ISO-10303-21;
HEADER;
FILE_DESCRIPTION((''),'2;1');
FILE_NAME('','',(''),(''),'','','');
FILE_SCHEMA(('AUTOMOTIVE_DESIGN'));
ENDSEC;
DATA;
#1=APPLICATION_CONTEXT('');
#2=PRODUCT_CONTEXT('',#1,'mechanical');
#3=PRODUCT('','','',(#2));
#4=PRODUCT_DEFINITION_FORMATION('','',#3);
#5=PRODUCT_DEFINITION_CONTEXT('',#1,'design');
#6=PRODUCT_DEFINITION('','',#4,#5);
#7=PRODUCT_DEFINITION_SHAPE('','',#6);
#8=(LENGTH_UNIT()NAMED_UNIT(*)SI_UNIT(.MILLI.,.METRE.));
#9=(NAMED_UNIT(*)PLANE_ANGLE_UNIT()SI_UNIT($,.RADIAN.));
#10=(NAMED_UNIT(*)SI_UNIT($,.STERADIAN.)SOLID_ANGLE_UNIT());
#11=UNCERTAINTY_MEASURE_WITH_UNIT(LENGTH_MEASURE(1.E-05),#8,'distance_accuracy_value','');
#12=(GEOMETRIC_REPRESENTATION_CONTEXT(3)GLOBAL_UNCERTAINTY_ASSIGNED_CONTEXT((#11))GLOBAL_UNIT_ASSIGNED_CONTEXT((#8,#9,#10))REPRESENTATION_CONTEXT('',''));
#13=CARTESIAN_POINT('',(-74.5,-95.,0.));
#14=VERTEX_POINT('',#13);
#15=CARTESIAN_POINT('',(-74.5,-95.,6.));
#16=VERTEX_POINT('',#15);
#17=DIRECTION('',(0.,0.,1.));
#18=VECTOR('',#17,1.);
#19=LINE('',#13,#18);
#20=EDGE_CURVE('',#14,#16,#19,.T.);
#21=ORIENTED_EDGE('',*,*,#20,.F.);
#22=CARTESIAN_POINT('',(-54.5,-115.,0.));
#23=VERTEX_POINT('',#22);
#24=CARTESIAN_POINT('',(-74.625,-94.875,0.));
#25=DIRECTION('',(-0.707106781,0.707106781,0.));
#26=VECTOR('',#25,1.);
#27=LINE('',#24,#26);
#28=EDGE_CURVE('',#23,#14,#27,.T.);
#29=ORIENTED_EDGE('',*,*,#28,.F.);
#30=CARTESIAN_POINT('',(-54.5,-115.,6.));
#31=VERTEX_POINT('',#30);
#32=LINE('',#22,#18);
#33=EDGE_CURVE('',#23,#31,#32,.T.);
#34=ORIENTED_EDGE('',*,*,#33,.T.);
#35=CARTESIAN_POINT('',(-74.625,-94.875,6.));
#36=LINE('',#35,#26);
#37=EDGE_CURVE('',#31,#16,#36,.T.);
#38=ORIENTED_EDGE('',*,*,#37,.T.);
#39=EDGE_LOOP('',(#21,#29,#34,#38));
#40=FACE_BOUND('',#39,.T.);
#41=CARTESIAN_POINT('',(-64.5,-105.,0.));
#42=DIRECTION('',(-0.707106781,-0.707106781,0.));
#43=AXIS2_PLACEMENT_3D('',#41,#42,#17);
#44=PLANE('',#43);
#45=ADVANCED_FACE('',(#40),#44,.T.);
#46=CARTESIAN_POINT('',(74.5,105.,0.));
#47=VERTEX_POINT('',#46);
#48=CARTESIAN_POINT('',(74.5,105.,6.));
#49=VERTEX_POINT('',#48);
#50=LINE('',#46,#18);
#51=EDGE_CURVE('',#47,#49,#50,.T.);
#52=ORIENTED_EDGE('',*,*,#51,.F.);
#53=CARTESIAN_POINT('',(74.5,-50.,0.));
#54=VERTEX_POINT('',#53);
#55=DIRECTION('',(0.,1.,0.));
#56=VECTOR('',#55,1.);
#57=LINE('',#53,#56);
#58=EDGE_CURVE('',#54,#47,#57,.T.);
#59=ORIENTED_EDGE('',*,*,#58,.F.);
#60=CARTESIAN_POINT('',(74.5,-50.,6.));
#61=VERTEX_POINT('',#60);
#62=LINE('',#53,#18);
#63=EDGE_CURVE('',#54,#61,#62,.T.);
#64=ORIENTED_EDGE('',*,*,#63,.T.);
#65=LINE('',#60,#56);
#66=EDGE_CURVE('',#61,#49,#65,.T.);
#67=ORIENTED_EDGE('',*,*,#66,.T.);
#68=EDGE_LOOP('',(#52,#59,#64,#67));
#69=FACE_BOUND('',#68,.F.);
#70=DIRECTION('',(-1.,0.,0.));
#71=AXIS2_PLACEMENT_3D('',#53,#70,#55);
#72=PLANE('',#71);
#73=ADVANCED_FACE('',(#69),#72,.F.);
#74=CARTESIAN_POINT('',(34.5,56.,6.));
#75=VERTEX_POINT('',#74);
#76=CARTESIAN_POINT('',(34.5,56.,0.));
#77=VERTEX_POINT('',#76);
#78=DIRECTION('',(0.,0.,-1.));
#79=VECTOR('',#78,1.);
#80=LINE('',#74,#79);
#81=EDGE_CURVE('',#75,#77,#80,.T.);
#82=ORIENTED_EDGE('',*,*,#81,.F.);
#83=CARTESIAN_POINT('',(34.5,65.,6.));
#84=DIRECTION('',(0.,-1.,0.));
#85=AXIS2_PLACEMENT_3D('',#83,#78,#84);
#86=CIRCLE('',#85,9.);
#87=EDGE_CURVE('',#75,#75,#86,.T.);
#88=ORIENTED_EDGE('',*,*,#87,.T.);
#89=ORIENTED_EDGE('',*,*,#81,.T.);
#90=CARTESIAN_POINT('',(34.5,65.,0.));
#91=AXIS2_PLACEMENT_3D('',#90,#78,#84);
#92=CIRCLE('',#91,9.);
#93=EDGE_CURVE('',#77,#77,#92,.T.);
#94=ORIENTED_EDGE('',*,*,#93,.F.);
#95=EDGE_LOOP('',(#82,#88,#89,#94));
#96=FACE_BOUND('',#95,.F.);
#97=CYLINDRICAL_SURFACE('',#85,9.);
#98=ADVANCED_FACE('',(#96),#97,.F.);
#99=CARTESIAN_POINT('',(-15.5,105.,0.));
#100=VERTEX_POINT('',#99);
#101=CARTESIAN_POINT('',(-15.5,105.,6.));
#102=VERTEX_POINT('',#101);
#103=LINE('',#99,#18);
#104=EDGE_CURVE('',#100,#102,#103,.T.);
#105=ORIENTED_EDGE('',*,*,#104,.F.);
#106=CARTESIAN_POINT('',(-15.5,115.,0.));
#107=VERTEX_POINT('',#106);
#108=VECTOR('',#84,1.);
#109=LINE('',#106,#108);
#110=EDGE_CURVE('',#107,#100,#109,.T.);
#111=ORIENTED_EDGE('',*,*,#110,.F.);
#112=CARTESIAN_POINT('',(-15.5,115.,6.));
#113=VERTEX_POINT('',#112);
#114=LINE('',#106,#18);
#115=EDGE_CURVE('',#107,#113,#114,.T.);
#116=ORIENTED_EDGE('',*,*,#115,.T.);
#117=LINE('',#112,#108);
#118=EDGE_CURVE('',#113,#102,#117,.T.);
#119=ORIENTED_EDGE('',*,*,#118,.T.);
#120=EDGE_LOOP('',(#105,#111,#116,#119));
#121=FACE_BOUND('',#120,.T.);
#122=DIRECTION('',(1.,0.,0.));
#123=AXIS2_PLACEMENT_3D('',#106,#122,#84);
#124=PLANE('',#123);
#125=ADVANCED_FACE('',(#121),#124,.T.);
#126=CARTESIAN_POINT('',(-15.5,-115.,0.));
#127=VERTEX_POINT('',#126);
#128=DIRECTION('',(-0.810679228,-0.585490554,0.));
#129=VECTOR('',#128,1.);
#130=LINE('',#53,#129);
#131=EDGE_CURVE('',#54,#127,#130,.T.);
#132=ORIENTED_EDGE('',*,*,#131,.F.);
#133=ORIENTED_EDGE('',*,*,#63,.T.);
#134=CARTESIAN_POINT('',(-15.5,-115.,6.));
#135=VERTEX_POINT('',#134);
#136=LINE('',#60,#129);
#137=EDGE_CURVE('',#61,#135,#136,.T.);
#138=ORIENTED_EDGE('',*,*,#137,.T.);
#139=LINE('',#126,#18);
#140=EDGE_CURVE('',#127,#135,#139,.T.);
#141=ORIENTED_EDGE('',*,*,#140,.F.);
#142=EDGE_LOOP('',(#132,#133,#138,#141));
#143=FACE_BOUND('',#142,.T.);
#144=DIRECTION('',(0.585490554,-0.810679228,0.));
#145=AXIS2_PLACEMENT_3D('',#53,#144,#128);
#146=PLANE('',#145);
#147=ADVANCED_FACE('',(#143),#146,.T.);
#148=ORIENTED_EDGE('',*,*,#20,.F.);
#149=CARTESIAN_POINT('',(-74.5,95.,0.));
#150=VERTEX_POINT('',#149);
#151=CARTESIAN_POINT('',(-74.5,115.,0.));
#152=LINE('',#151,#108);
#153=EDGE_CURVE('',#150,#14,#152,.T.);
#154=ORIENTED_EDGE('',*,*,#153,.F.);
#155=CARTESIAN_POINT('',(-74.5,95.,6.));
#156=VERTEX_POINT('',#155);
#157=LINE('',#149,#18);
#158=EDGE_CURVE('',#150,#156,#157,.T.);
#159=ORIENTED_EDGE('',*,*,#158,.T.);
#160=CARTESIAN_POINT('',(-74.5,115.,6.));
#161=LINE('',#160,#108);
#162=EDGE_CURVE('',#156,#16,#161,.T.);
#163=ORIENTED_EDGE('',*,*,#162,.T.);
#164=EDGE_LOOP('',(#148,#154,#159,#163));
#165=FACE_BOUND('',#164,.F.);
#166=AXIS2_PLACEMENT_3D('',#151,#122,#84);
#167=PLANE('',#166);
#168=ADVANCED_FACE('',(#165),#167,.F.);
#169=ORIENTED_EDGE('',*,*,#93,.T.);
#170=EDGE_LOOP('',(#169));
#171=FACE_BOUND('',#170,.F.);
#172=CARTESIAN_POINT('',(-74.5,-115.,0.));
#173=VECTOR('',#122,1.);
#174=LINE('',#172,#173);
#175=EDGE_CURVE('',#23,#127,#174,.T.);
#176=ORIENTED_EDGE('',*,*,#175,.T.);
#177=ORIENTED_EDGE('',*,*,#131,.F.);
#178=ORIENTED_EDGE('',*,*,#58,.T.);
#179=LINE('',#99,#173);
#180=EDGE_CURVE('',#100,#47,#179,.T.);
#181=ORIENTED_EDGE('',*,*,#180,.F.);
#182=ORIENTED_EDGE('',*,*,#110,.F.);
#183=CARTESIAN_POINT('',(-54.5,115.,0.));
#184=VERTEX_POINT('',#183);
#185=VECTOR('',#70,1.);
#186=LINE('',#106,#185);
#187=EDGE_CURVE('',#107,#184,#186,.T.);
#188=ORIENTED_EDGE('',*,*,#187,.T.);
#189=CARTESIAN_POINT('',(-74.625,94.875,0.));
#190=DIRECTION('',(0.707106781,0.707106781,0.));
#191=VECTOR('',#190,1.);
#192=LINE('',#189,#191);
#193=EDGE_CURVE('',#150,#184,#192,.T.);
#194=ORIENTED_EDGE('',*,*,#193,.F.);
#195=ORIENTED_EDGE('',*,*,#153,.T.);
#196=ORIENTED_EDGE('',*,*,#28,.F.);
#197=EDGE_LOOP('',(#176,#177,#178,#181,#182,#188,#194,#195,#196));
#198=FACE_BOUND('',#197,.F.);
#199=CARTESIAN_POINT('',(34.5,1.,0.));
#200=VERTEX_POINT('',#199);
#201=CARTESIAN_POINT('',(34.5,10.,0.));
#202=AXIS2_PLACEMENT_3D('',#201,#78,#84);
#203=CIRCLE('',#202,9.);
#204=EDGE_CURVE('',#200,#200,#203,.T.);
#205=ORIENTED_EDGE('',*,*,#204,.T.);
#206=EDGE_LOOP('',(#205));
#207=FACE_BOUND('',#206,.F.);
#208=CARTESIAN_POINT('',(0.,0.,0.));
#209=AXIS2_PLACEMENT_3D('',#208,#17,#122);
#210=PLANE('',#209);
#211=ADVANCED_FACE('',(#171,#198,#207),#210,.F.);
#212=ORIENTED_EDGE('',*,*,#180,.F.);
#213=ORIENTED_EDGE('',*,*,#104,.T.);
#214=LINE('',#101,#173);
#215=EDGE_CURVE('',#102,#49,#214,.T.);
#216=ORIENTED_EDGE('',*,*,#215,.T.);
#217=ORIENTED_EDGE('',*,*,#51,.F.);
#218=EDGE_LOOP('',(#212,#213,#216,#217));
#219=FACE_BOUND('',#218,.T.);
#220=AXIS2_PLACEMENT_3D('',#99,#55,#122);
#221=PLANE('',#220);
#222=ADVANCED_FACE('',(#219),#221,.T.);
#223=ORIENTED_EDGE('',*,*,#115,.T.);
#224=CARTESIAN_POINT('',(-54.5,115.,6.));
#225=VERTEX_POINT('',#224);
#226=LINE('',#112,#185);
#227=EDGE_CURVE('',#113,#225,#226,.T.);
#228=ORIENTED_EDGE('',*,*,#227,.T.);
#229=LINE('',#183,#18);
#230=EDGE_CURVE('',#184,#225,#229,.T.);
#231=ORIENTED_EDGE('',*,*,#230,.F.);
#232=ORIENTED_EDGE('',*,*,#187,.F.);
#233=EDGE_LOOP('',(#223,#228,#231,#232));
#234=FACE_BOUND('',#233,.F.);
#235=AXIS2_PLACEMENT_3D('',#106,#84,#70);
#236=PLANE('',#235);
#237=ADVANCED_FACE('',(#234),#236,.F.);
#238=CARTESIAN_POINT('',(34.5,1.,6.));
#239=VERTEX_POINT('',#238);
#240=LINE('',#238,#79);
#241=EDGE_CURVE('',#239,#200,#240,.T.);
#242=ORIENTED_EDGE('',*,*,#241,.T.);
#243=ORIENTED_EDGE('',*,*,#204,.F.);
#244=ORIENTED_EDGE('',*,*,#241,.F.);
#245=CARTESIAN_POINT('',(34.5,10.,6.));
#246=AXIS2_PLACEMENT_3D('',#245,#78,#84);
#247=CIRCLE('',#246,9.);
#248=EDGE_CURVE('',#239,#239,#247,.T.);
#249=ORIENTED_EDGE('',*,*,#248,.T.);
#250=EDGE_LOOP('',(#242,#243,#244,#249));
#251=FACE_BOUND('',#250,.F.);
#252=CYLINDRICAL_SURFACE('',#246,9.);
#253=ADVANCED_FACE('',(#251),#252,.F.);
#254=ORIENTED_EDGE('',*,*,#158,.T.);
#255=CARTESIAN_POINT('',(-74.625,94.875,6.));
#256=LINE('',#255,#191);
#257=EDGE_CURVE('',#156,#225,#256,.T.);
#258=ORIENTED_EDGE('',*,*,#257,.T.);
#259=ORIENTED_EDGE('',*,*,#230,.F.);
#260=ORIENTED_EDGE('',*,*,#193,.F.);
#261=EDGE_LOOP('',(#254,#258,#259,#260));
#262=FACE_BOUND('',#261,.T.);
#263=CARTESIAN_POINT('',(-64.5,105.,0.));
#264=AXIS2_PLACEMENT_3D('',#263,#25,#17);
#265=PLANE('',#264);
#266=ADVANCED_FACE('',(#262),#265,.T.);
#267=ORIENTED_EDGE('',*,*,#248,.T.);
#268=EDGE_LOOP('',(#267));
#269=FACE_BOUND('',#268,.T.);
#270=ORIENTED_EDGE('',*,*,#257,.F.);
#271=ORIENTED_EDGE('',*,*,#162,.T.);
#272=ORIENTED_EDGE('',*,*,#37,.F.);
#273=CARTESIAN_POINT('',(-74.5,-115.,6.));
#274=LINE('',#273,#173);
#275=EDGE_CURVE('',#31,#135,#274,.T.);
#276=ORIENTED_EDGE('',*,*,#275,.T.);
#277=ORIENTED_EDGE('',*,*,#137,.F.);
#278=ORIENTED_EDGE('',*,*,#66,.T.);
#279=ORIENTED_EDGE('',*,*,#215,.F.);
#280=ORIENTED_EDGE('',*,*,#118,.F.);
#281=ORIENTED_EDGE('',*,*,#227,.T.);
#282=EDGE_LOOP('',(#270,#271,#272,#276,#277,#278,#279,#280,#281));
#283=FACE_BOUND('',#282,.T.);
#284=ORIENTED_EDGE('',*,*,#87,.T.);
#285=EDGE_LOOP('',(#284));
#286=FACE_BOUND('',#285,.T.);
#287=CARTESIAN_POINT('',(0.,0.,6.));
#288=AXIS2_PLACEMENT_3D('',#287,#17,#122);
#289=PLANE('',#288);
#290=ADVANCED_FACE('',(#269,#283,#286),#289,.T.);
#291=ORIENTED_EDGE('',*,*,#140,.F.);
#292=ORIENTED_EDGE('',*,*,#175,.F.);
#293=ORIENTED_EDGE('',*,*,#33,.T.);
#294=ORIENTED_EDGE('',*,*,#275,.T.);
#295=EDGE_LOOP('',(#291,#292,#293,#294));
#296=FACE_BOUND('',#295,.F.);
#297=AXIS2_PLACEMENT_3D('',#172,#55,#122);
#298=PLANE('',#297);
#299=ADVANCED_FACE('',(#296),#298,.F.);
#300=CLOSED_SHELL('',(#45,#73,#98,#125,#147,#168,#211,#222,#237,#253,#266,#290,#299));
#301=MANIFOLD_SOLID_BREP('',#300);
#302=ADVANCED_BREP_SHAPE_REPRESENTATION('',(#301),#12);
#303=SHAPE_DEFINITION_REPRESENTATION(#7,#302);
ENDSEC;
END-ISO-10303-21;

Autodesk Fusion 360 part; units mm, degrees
sketch "スケッチ1" plane through (0, 0, 0) normal (0, 0, 1) x (1, 0, 0)
  line L0 (-15.5, 115) -> (-74.5, 115)
  line L1 (-74.5, 115) -> (-74.5, -115)
  line L2 (-74.5, -115) -> (-15.5, -115)
  line L3 (74.5, -50) -> (74.5, 105)
  line L4 (68.0217, 105) -> (-74.5, -115) construction
  line L5 (-74.5, 115) -> (45.8131, -70.7183) construction
  line L6 (-15.5, 115) -> (-15.5, 105)
  line L7 (-15.5, 105) -> (74.5, 105)
  line L8 (-74.5, -115) -> (-15.5, -115) construction
  line L9 (74.5, -50) -> (-15.5, -115)
  dimension "d2" = 230
  dimension "d5" = 59
extrude "押し出し1" add sketch "スケッチ1" along normal blind 6
chamfer "面取り1" distance 20 angle 45 2 edges at (-74.5, -115, 3) (-74.5, 115, 3)
sketch "スケッチ2" plane through (0, 0, 6) normal (0, 0, 1) x (-1, 0, 0)
  line L0 (54.5, -115) -> (74.5, -95)
  line L1 (74.5, -95) -> (74.5, 95)
  line L2 (74.5, 95) -> (54.5, 115)
  line L3 (54.5, 115) -> (15.5, 115)
  line L4 (15.5, 115) -> (-74.5, 50)
  line L5 (-74.5, 50) -> (-74.5, -105)
  line L6 (-74.5, -105) -> (15.5, -105)
  line L7 (15.5, -105) -> (15.5, -115)
  line L8 (15.5, -115) -> (54.5, -115)
  line L9 (-74.5, -105) -> (-34.5, -105) construction
  line L10 (-34.5, -105) -> (-34.5, -65) construction
  line L11 (-34.5, -65) -> (-74.5, -65) construction
  line L12 (-74.5, -65) -> (-74.5, -105) construction
  line L13 (-34.5, -65) -> (-34.5, -10) construction
  point P0 (-34.5, -65)
  point P1 (-34.5, -10)
  dimension "d10" = 40
  dimension "d11" = 40
  dimension "d12" = 55
hole "穴1" at (34.5, 65, 6) at (34.5, 10, 6) direction (0, 0, -1) diameter 18 end through all
equation "d5 = 20 mm + 39 mm"
